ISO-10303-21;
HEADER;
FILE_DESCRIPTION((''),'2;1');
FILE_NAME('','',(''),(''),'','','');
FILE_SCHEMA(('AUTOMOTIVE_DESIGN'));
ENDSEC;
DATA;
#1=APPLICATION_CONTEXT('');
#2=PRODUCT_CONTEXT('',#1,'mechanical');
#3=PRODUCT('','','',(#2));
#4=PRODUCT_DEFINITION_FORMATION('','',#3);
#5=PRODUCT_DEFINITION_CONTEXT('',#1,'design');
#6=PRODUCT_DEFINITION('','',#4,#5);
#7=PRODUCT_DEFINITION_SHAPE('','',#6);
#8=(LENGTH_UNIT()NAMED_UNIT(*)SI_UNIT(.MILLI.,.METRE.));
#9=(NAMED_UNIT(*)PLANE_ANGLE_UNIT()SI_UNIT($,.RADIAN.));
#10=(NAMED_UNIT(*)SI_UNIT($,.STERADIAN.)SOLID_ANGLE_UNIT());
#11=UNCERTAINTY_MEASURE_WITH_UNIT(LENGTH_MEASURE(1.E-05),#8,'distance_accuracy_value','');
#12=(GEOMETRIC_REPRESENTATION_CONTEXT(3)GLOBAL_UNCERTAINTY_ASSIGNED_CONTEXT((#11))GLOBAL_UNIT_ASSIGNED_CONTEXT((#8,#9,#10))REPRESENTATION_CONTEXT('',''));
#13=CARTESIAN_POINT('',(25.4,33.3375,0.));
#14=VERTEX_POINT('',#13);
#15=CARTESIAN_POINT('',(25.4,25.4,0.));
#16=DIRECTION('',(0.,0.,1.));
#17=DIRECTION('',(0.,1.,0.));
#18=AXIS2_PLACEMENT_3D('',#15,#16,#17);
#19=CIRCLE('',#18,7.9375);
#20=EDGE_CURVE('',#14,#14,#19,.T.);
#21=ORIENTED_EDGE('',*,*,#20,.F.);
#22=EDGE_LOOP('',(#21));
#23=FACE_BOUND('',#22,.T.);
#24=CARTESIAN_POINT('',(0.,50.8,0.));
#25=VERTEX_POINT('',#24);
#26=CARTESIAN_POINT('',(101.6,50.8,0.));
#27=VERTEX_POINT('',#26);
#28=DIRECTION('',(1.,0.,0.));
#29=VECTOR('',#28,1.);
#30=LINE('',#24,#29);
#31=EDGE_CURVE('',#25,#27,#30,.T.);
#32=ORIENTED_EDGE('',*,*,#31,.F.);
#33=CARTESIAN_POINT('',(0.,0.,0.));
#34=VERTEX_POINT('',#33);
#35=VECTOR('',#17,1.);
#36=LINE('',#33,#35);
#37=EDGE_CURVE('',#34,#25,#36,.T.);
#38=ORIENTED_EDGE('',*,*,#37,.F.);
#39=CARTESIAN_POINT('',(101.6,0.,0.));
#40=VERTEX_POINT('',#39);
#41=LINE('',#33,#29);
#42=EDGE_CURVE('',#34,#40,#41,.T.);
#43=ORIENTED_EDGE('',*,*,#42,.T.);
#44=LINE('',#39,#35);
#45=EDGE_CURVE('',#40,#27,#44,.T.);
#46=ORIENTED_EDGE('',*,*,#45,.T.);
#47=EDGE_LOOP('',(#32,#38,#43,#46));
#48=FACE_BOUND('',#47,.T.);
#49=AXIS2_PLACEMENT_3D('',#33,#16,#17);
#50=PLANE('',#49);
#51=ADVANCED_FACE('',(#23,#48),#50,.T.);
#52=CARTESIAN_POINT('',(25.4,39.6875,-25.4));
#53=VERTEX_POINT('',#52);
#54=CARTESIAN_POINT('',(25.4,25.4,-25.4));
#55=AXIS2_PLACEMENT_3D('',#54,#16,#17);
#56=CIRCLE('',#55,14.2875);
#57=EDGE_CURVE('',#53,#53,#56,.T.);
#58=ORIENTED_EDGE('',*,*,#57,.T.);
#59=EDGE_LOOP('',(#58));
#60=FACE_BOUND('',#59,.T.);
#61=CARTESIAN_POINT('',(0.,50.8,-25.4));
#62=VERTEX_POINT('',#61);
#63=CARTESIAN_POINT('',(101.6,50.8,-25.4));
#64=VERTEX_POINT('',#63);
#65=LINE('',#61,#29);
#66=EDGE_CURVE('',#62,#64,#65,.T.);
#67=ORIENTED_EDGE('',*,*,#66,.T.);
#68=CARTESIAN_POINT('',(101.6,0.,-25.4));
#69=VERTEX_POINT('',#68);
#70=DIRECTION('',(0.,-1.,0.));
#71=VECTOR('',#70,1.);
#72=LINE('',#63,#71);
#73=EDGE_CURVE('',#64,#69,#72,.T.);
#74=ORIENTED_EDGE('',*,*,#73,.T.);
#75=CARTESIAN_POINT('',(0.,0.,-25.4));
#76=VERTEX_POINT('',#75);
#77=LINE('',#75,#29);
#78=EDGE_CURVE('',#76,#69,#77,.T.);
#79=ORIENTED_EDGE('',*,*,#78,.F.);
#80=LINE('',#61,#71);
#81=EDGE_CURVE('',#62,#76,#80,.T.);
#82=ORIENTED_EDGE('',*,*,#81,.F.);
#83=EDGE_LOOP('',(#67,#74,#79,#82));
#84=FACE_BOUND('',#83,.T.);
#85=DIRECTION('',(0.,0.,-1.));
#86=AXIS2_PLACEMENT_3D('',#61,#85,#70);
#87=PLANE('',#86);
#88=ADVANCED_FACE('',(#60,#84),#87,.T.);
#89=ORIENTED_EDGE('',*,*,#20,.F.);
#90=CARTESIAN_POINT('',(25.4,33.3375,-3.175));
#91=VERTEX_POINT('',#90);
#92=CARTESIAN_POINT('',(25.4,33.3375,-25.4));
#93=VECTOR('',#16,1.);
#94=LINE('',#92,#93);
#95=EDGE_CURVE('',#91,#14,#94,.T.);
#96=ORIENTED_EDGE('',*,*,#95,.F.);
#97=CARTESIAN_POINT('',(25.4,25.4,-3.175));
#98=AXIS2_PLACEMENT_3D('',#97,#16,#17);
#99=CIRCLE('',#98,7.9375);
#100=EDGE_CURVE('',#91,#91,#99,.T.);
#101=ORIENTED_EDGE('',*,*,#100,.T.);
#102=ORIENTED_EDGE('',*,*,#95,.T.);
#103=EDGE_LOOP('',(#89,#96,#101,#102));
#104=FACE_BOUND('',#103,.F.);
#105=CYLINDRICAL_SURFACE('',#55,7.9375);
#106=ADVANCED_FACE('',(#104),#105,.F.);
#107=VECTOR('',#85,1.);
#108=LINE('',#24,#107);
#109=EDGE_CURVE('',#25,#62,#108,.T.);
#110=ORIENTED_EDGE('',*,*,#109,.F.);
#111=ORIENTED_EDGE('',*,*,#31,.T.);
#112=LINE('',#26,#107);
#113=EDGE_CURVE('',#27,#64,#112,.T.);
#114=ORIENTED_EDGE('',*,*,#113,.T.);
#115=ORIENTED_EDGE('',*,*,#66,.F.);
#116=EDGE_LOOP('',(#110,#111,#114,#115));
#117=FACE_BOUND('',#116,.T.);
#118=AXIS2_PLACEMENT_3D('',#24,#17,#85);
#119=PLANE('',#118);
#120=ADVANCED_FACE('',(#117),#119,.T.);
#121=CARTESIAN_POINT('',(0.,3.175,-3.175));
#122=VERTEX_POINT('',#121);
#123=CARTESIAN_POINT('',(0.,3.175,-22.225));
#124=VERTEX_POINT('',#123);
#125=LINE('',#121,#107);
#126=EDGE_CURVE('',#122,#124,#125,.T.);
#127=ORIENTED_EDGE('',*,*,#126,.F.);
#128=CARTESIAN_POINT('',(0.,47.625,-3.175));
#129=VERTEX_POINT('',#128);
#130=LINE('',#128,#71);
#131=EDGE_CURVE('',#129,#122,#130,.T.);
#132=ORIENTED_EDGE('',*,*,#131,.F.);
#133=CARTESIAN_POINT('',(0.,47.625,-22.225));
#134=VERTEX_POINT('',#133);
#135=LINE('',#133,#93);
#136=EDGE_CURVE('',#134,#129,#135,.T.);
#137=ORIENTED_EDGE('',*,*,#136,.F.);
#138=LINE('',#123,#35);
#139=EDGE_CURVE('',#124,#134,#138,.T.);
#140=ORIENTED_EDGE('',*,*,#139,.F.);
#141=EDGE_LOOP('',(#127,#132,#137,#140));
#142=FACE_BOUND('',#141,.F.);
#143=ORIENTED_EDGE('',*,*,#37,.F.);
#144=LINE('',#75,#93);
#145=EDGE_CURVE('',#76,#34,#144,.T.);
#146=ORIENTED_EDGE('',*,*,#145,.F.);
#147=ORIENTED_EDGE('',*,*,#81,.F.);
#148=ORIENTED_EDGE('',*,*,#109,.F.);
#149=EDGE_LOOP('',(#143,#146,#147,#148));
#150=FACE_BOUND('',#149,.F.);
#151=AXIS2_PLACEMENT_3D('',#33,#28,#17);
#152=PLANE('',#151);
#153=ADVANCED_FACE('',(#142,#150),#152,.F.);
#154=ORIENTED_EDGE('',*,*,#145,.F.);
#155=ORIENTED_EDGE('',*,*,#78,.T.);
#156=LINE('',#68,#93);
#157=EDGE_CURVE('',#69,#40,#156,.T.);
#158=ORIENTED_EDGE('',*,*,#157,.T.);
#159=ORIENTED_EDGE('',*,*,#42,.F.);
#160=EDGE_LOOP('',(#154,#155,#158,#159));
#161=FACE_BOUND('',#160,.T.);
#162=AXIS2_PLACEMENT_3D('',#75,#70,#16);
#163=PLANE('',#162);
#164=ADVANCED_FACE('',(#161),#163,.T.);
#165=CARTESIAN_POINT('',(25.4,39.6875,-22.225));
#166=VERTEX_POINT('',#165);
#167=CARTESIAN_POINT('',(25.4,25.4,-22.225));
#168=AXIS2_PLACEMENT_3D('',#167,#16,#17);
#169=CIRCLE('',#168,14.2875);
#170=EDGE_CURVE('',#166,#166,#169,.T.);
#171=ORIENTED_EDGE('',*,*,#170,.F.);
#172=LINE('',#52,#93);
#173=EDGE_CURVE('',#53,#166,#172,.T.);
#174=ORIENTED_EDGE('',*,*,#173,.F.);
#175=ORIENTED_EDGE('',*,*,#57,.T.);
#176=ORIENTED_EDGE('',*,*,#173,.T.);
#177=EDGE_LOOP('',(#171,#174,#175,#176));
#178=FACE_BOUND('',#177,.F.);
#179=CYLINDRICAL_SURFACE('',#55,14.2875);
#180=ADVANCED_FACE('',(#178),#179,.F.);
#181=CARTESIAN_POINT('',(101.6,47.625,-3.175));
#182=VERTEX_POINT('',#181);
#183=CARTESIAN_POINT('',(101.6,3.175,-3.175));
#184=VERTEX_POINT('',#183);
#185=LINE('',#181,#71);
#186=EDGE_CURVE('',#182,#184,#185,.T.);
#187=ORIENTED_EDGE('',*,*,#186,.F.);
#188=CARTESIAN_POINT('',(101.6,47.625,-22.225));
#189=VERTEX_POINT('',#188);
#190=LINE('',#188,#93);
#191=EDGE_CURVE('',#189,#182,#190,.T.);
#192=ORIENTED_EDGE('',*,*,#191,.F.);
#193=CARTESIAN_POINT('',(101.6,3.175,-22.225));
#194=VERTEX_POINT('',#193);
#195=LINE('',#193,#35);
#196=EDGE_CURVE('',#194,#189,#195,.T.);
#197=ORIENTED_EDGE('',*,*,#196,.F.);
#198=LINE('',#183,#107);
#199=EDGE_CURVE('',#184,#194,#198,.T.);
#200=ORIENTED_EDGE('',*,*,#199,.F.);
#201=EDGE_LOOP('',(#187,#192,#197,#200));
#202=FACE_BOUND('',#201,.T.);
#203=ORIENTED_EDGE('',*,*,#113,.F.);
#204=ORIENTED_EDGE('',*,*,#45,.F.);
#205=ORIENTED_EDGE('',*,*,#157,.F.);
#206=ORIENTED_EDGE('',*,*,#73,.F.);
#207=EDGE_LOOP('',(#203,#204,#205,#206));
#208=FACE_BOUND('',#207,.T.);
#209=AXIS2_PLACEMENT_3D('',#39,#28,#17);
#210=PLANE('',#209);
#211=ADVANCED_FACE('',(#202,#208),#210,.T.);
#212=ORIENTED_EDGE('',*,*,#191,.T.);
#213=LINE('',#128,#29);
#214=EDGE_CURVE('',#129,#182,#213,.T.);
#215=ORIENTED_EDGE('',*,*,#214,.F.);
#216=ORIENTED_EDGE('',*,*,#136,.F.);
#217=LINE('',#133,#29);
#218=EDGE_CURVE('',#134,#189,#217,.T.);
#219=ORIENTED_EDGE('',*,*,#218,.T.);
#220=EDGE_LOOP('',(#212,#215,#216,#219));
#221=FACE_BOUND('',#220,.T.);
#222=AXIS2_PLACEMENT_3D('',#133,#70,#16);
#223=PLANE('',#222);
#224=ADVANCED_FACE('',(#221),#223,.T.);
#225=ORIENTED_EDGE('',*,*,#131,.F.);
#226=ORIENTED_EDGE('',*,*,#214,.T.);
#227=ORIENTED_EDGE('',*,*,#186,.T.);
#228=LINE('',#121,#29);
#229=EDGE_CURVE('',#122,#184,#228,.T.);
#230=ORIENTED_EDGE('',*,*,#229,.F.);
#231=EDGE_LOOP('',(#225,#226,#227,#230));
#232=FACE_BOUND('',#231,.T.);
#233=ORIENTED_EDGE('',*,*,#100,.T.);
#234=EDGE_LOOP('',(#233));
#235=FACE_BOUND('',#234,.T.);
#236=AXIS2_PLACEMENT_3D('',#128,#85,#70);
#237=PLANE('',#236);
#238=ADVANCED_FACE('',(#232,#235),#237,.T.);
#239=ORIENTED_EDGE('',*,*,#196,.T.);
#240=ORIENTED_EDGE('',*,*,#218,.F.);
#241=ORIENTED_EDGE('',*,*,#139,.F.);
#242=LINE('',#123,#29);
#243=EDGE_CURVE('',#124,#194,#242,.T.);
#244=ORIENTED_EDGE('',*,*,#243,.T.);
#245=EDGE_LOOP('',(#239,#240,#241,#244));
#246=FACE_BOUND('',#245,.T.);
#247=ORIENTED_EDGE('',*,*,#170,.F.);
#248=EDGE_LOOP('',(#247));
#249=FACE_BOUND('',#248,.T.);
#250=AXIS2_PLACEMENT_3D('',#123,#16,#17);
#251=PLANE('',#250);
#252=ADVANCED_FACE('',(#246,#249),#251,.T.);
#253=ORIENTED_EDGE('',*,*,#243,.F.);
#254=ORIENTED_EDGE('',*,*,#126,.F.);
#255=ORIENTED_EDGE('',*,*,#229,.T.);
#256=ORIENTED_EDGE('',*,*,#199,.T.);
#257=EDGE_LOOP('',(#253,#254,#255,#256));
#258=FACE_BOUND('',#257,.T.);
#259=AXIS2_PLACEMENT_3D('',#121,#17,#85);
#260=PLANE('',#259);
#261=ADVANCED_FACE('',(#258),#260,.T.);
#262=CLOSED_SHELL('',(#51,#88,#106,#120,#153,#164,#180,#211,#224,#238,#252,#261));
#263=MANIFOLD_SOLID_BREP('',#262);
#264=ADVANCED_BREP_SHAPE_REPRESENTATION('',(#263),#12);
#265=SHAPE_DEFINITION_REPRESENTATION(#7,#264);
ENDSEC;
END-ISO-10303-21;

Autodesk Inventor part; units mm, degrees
ref_plane "YZ Plane" through (0, 0, 0) normal (1, 0, 0) x (0, 1, 0)
ref_plane "XZ Plane" through (0, 0, 0) normal (0, 1, 0) x (-1, 0, 0)
ref_plane "XY Plane" through (0, 0, 0) normal (0, 0, 1) x (1, 0, 0)
sketch "Sketch1" plane through (0, 0, 0) normal (1, 0, 0) x (0, 1, 0)
  line L0 (0, 0) -> (50.8, 0)
  line L1 (50.8, 0) -> (50.8, -25.4)
  line L2 (50.8, -25.4) -> (0, -25.4)
  line L3 (0, -25.4) -> (0, 0)
  line L4 (47.625, -3.175) -> (3.175, -3.175)
  line L5 (3.175, -3.175) -> (3.175, -22.225)
  line L6 (3.175, -22.225) -> (47.625, -22.225)
  line L7 (47.625, -22.225) -> (47.625, -3.175)
  dimension "d0" = 50.8
  dimension "d1" = 25.4
  dimension "d2" = 3.175
extrude "Extrusion1" add sketch "Sketch1" along normal blind 101.6
sketch "Sketch2" plane through (0, 0, -25.4) normal (0, 0, -1) x (-1, 0, 0)
  line L0 (0, 50.8) -> (-101.6, 50.8) projected
  line L1 (0, 50.8) -> (0, 0) projected
  line L2 (0, 0) -> (-101.6, 0) projected
  point P0 (-25.4, 25.4)
  dimension "d5" = 25.4
  dimension "d6" = 25.4
hole "Hole1" at (25.4, 25.4, -25.4) direction (0, 0, 1) diameter 28.575 depth 3.175 tip angle 118
hole "Hole2" at (25.4, 25.4, -25.4) direction (0, 0, 1) diameter 15.875 end through all
properties part number "15102898-16-P-0304" material "Aluminum 6061"
